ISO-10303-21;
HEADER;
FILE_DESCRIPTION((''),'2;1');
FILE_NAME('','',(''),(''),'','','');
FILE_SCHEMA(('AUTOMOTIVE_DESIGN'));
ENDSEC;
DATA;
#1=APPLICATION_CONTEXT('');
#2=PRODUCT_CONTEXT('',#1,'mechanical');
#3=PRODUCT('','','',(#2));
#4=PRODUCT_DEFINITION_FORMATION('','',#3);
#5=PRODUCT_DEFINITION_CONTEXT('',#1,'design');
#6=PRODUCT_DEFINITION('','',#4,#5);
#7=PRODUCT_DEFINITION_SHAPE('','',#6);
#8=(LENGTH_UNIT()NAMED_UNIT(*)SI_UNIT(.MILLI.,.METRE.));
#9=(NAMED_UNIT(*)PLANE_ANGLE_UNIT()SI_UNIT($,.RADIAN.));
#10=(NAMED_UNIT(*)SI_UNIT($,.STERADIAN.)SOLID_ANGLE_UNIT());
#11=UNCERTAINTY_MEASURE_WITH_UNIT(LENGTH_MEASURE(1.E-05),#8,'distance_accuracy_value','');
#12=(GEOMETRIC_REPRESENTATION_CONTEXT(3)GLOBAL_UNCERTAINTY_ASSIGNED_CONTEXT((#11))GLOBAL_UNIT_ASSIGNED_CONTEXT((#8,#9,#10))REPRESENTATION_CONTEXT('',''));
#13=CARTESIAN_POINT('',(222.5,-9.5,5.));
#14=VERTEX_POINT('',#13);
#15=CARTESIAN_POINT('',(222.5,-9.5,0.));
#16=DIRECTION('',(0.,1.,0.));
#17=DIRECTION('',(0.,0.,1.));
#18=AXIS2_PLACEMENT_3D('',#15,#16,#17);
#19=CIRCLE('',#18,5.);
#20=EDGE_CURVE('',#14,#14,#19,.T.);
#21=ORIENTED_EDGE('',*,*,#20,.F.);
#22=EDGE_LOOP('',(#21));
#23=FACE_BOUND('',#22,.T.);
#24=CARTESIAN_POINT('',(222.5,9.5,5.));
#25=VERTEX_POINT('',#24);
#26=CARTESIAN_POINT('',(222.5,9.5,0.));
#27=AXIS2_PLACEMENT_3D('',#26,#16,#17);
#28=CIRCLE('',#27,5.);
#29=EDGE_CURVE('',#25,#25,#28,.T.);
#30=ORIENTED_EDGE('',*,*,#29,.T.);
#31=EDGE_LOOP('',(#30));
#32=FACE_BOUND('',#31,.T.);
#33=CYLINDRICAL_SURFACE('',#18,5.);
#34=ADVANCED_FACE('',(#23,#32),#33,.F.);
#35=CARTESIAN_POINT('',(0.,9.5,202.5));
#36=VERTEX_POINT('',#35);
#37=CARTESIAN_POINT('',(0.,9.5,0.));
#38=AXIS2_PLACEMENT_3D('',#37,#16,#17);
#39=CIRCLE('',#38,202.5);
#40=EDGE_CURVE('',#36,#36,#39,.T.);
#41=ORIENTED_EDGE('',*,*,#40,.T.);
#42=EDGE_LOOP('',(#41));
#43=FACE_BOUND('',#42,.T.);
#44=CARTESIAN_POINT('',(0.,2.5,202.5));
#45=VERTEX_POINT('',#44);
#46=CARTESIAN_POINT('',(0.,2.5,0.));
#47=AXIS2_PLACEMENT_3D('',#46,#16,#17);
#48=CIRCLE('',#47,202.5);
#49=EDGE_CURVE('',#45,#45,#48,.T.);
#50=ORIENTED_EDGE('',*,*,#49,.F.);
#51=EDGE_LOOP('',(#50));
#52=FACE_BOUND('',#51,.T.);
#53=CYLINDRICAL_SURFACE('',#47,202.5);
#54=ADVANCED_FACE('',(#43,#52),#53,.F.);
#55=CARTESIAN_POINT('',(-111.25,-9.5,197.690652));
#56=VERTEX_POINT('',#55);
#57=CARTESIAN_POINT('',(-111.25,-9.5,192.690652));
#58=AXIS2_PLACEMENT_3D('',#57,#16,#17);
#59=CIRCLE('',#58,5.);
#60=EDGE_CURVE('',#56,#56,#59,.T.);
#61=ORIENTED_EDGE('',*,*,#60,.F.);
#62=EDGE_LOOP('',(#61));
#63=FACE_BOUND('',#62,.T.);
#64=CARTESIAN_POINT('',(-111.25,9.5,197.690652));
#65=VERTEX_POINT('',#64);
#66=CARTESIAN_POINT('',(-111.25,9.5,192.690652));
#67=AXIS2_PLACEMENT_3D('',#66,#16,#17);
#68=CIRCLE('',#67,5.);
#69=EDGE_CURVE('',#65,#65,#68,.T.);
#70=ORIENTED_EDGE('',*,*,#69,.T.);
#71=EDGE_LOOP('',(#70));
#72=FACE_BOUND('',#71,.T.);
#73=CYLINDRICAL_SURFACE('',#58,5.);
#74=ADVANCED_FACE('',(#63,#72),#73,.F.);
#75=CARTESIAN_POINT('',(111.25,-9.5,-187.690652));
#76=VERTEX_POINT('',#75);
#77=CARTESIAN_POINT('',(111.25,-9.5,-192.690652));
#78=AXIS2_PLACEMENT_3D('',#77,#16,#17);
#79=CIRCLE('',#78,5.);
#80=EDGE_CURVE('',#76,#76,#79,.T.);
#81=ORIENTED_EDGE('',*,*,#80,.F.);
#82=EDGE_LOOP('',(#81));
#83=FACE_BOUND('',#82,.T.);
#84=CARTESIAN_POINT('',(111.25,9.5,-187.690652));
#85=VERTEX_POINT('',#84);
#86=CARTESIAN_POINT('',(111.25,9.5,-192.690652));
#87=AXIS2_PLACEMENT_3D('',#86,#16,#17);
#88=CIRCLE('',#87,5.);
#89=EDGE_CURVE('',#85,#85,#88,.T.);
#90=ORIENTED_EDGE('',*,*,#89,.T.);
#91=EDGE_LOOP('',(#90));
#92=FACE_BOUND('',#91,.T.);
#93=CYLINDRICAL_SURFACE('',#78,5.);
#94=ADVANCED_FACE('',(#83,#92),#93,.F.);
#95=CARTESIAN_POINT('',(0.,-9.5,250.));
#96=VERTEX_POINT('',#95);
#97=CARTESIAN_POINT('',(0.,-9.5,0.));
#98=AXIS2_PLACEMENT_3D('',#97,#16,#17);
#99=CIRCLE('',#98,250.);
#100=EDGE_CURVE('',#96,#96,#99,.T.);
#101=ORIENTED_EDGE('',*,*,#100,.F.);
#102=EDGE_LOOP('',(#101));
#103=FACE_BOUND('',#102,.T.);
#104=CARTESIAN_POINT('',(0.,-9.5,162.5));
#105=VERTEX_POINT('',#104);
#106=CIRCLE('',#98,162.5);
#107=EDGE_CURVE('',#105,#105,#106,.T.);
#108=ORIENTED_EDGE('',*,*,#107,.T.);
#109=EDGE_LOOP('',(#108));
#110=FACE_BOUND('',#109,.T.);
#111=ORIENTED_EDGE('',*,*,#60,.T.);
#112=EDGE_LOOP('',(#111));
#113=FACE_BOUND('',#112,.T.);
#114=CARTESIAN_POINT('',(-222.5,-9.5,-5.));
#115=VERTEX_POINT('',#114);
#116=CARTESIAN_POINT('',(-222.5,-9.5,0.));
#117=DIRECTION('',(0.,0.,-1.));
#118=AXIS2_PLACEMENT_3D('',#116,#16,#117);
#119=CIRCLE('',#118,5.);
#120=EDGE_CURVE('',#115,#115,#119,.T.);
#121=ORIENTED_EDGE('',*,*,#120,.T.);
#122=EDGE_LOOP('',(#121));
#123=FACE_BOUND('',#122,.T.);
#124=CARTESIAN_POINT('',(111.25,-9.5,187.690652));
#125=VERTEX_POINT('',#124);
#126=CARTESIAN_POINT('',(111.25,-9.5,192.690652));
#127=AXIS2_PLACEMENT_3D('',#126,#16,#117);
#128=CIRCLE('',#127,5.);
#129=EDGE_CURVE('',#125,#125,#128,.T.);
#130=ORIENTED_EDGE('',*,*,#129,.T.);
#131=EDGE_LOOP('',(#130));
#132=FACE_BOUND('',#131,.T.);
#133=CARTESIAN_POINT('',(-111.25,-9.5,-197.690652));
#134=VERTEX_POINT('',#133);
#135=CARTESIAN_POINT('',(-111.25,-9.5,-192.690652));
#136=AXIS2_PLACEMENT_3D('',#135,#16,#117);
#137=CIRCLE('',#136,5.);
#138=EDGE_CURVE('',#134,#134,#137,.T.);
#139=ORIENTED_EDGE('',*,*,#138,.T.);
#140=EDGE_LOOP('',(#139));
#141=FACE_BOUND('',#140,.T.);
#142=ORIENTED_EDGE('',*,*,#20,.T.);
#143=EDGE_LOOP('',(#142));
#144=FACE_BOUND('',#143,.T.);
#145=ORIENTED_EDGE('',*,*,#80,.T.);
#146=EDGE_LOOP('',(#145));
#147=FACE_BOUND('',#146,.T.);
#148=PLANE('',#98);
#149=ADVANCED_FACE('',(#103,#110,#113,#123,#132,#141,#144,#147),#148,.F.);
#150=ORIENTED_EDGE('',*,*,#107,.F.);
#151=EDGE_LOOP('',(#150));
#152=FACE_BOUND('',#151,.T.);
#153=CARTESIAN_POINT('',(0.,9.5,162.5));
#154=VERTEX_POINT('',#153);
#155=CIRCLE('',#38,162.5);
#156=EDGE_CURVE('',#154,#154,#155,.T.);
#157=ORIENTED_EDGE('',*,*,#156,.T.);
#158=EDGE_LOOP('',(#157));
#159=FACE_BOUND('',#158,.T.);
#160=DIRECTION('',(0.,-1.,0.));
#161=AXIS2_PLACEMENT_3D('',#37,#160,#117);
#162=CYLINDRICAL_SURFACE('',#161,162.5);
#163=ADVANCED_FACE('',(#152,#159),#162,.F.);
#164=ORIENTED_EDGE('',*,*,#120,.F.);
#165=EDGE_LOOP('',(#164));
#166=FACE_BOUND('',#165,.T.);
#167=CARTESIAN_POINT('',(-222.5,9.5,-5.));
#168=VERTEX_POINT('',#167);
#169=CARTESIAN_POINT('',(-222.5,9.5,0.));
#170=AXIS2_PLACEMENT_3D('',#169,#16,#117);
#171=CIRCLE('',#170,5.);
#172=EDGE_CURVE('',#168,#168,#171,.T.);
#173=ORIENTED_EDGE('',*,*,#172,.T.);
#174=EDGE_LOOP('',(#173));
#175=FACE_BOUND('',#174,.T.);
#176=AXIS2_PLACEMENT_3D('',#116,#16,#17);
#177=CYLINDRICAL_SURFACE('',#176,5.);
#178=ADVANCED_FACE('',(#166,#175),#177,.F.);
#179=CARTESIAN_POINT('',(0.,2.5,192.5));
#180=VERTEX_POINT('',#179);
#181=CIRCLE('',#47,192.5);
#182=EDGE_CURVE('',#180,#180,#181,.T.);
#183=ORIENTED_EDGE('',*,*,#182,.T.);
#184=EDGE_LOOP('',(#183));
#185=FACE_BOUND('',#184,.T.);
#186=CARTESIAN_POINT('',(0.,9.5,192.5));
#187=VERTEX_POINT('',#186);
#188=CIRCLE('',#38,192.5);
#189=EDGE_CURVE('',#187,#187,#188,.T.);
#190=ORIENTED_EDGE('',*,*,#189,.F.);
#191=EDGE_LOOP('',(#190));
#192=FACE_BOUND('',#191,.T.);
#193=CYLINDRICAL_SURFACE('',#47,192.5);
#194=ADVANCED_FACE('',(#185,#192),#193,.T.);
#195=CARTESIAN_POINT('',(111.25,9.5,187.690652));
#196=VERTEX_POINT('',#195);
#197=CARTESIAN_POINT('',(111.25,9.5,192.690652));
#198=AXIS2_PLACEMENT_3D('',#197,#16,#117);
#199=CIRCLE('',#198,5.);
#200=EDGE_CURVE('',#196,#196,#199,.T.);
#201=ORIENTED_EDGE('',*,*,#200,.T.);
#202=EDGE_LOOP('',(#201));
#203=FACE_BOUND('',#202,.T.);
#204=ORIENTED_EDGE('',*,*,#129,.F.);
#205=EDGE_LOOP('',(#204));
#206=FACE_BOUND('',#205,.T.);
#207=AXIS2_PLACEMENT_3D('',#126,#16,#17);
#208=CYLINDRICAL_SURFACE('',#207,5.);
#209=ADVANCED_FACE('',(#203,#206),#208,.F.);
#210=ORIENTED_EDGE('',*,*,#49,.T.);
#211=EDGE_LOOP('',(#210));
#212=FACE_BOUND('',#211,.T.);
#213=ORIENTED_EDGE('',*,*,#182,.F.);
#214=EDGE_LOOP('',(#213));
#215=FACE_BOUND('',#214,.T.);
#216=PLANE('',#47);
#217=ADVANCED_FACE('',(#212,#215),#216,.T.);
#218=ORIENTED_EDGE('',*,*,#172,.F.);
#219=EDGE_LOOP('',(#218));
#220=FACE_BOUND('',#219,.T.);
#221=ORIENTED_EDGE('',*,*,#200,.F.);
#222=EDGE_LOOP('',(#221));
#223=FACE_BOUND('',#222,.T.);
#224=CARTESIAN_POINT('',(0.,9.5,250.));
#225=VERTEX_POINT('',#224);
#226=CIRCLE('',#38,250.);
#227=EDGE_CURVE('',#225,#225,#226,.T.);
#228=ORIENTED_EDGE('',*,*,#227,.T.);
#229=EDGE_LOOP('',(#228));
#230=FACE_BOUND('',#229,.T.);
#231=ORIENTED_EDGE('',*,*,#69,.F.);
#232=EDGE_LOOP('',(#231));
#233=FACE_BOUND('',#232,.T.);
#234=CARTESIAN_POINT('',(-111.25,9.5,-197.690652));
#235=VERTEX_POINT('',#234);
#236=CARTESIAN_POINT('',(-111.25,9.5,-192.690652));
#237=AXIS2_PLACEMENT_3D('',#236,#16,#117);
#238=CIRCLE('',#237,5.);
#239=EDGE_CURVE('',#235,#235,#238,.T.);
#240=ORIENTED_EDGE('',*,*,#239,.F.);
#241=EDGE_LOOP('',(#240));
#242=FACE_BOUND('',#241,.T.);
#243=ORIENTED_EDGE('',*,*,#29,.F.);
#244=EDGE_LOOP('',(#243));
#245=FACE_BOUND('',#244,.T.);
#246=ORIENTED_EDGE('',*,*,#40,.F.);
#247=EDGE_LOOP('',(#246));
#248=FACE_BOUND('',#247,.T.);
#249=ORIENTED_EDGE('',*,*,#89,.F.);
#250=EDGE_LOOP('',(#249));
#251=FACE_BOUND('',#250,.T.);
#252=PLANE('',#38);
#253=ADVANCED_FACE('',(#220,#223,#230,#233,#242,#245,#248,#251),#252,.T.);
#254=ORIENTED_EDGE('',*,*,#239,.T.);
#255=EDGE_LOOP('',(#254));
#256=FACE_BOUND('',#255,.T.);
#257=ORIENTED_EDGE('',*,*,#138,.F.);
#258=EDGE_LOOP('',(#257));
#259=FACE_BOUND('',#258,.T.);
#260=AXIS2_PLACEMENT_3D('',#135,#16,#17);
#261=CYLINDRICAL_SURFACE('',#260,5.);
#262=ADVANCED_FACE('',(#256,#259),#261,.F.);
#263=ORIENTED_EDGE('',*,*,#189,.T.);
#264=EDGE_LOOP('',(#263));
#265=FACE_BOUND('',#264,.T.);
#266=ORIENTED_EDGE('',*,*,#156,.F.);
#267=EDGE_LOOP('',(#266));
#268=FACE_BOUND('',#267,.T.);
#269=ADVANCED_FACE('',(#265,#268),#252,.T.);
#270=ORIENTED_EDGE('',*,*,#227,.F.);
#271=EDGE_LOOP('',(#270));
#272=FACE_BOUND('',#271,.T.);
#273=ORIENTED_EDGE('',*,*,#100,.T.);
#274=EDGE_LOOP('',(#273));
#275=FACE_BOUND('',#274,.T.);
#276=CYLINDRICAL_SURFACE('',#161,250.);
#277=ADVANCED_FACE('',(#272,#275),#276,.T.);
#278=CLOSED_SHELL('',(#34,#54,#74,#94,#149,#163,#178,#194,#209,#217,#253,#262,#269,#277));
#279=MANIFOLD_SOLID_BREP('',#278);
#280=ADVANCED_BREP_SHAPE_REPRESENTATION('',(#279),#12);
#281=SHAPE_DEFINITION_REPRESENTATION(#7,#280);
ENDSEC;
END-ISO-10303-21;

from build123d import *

# Parameters (mm, degrees)
SKETCH1_R           = 250
SKETCH1_R_2         = 162.5
BOSS_EXTRUDE1_DEPTH = 9.5
SKETCH2_R           = 202.5
SKETCH2_R_2         = 192.5
CUT_EXTRUDE1_DEPTH  = 7
SKETCH3_R           = 5
CUT_EXTRUDE2_DEPTH  = 355.063553617


with BuildPart() as part:
    # Sketch1 → Boss-Extrude1 (new, symmetric)
    with BuildSketch(Plane(origin=(0, 0, 0), x_dir=(1, 0, 0), z_dir=(0, 1, 0))):
        with Locations(Location((0, 0, 0), (0, 0, 270))):
            Circle(SKETCH1_R)
        with Locations(Location((0, 0, 0), (0, 0, 270))):
            Circle(SKETCH1_R_2, mode=Mode.SUBTRACT)
    extrude(amount=BOSS_EXTRUDE1_DEPTH, both=True)

    # Sketch2 → Cut-Extrude1 (cut)
    with BuildSketch(Plane(origin=(0, 9.5, 0), x_dir=(1, 0, 0), z_dir=(0, 1, 0))):
        with Locations(Location((0, 0, 0), (0, 0, 270))):
            Circle(SKETCH2_R)
        with Locations(Location((0, 0, 0), (0, 0, 270))):
            Circle(SKETCH2_R_2, mode=Mode.SUBTRACT)
    extrude(amount=-CUT_EXTRUDE1_DEPTH, mode=Mode.SUBTRACT)

    # Sketch3 → Cut-Extrude2 (cut, through all)
    with BuildSketch(Plane(origin=(0, 9.5, 0), x_dir=(1, 0, 0), z_dir=(0, 1, 0))):
        with Locations(Location((111.25, 192.690652342, 0), (0, 0, 270))):
            Circle(SKETCH3_R)
        with Locations(Location((222.5, 0, 0), (0, 0, 270))):
            Circle(SKETCH3_R)
        with Locations(Location((-111.25, 192.690652342, 0), (0, 0, 90))):
            Circle(SKETCH3_R)
        with Locations(Location((-222.5, 0, 0), (0, 0, 90))):
            Circle(SKETCH3_R)
        with Locations(Location((111.25, -192.690652342, 0), (0, 0, 90))):
            Circle(SKETCH3_R)
        with Locations(Location((-111.25, -192.690652342, 0), (0, 0, 270))):
            Circle(SKETCH3_R)
    extrude(amount=-CUT_EXTRUDE2_DEPTH, mode=Mode.SUBTRACT)


solid = part.part
